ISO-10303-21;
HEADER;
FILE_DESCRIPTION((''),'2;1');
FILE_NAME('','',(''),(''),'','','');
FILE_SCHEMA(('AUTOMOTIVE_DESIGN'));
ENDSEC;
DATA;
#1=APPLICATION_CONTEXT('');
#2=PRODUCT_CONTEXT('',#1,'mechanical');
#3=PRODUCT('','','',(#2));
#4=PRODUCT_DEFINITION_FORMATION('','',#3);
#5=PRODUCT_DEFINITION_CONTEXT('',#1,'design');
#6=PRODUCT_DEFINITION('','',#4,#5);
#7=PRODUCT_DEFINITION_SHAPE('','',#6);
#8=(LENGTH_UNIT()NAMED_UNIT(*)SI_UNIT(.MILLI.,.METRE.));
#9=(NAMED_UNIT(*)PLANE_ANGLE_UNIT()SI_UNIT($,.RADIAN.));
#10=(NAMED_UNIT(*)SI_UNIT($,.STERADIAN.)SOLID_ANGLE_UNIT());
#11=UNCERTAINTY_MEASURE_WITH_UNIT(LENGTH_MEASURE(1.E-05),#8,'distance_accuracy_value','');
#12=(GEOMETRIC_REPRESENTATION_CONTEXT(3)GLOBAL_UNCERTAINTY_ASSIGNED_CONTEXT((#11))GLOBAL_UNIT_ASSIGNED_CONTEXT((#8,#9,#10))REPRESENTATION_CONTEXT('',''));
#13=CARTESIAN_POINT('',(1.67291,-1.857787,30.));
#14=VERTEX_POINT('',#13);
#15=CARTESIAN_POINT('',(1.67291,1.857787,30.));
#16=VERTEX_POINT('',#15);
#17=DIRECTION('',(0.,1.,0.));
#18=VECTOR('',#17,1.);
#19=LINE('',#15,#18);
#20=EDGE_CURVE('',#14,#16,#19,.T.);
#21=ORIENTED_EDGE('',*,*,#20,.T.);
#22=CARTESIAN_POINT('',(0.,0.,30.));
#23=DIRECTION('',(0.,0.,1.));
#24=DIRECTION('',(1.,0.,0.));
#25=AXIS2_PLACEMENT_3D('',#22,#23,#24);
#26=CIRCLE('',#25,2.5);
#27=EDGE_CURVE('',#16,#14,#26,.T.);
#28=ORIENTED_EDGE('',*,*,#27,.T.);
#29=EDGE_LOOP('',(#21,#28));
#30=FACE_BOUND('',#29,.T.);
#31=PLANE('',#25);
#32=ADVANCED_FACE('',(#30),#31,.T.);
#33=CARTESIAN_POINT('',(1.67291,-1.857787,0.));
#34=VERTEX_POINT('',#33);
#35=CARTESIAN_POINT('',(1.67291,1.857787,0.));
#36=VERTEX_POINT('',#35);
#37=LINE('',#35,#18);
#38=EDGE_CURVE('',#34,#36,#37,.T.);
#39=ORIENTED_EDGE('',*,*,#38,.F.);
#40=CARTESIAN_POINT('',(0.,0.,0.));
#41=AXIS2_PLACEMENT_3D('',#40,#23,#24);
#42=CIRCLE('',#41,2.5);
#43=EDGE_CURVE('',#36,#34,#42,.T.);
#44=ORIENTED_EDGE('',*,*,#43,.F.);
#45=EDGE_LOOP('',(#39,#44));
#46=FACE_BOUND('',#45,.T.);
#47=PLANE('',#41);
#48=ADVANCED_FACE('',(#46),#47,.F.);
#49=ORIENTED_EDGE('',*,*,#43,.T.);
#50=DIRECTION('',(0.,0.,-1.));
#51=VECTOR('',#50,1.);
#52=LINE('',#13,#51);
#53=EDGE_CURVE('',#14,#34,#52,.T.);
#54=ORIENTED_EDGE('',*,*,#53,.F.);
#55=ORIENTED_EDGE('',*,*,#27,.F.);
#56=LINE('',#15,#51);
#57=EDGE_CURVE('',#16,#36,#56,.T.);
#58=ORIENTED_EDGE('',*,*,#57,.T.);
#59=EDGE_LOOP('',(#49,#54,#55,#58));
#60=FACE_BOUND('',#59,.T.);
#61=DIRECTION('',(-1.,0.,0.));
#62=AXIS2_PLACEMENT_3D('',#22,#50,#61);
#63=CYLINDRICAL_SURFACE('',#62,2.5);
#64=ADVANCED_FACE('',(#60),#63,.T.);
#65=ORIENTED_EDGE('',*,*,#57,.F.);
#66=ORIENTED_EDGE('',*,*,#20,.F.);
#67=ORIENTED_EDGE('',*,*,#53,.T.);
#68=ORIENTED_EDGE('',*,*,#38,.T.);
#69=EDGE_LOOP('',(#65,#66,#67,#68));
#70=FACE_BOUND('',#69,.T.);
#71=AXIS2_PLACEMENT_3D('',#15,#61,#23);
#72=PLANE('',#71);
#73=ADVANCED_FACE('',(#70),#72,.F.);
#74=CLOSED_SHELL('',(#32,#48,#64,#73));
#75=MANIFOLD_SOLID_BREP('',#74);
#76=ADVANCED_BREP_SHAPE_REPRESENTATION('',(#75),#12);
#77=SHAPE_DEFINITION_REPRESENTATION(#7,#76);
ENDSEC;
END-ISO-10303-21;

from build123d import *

# Parameters (mm, degrees)
CROQUIS1_R              = 2.5
SALIENTE_EXTRUIR1_DEPTH = 30
CORTAR_EXTRUIR1_DEPTH   = 31.207614934


with BuildPart() as part:
    # Croquis1 → Saliente-Extruir1 (new body)
    with BuildSketch(Plane.XY):
        Circle(CROQUIS1_R)
    extrude(amount=SALIENTE_EXTRUIR1_DEPTH)

    # Croquis2 → Cortar-Extruir1 (cut, through all)
    with BuildSketch(Plane(origin=(0, 0, 0), x_dir=(-1, 0, 0), z_dir=(0, 0, -1))):
        with BuildLine():
            Line((-1.672910403, 1.857786528), (-1.672910403, -1.857786528))
            ThreePointArc((-1.672910403, -1.857786528), (-2.5, 0), (-1.672910403, 1.857786528))
        make_face()
    extrude(amount=-CORTAR_EXTRUIR1_DEPTH, mode=Mode.SUBTRACT)


solid = part.part
